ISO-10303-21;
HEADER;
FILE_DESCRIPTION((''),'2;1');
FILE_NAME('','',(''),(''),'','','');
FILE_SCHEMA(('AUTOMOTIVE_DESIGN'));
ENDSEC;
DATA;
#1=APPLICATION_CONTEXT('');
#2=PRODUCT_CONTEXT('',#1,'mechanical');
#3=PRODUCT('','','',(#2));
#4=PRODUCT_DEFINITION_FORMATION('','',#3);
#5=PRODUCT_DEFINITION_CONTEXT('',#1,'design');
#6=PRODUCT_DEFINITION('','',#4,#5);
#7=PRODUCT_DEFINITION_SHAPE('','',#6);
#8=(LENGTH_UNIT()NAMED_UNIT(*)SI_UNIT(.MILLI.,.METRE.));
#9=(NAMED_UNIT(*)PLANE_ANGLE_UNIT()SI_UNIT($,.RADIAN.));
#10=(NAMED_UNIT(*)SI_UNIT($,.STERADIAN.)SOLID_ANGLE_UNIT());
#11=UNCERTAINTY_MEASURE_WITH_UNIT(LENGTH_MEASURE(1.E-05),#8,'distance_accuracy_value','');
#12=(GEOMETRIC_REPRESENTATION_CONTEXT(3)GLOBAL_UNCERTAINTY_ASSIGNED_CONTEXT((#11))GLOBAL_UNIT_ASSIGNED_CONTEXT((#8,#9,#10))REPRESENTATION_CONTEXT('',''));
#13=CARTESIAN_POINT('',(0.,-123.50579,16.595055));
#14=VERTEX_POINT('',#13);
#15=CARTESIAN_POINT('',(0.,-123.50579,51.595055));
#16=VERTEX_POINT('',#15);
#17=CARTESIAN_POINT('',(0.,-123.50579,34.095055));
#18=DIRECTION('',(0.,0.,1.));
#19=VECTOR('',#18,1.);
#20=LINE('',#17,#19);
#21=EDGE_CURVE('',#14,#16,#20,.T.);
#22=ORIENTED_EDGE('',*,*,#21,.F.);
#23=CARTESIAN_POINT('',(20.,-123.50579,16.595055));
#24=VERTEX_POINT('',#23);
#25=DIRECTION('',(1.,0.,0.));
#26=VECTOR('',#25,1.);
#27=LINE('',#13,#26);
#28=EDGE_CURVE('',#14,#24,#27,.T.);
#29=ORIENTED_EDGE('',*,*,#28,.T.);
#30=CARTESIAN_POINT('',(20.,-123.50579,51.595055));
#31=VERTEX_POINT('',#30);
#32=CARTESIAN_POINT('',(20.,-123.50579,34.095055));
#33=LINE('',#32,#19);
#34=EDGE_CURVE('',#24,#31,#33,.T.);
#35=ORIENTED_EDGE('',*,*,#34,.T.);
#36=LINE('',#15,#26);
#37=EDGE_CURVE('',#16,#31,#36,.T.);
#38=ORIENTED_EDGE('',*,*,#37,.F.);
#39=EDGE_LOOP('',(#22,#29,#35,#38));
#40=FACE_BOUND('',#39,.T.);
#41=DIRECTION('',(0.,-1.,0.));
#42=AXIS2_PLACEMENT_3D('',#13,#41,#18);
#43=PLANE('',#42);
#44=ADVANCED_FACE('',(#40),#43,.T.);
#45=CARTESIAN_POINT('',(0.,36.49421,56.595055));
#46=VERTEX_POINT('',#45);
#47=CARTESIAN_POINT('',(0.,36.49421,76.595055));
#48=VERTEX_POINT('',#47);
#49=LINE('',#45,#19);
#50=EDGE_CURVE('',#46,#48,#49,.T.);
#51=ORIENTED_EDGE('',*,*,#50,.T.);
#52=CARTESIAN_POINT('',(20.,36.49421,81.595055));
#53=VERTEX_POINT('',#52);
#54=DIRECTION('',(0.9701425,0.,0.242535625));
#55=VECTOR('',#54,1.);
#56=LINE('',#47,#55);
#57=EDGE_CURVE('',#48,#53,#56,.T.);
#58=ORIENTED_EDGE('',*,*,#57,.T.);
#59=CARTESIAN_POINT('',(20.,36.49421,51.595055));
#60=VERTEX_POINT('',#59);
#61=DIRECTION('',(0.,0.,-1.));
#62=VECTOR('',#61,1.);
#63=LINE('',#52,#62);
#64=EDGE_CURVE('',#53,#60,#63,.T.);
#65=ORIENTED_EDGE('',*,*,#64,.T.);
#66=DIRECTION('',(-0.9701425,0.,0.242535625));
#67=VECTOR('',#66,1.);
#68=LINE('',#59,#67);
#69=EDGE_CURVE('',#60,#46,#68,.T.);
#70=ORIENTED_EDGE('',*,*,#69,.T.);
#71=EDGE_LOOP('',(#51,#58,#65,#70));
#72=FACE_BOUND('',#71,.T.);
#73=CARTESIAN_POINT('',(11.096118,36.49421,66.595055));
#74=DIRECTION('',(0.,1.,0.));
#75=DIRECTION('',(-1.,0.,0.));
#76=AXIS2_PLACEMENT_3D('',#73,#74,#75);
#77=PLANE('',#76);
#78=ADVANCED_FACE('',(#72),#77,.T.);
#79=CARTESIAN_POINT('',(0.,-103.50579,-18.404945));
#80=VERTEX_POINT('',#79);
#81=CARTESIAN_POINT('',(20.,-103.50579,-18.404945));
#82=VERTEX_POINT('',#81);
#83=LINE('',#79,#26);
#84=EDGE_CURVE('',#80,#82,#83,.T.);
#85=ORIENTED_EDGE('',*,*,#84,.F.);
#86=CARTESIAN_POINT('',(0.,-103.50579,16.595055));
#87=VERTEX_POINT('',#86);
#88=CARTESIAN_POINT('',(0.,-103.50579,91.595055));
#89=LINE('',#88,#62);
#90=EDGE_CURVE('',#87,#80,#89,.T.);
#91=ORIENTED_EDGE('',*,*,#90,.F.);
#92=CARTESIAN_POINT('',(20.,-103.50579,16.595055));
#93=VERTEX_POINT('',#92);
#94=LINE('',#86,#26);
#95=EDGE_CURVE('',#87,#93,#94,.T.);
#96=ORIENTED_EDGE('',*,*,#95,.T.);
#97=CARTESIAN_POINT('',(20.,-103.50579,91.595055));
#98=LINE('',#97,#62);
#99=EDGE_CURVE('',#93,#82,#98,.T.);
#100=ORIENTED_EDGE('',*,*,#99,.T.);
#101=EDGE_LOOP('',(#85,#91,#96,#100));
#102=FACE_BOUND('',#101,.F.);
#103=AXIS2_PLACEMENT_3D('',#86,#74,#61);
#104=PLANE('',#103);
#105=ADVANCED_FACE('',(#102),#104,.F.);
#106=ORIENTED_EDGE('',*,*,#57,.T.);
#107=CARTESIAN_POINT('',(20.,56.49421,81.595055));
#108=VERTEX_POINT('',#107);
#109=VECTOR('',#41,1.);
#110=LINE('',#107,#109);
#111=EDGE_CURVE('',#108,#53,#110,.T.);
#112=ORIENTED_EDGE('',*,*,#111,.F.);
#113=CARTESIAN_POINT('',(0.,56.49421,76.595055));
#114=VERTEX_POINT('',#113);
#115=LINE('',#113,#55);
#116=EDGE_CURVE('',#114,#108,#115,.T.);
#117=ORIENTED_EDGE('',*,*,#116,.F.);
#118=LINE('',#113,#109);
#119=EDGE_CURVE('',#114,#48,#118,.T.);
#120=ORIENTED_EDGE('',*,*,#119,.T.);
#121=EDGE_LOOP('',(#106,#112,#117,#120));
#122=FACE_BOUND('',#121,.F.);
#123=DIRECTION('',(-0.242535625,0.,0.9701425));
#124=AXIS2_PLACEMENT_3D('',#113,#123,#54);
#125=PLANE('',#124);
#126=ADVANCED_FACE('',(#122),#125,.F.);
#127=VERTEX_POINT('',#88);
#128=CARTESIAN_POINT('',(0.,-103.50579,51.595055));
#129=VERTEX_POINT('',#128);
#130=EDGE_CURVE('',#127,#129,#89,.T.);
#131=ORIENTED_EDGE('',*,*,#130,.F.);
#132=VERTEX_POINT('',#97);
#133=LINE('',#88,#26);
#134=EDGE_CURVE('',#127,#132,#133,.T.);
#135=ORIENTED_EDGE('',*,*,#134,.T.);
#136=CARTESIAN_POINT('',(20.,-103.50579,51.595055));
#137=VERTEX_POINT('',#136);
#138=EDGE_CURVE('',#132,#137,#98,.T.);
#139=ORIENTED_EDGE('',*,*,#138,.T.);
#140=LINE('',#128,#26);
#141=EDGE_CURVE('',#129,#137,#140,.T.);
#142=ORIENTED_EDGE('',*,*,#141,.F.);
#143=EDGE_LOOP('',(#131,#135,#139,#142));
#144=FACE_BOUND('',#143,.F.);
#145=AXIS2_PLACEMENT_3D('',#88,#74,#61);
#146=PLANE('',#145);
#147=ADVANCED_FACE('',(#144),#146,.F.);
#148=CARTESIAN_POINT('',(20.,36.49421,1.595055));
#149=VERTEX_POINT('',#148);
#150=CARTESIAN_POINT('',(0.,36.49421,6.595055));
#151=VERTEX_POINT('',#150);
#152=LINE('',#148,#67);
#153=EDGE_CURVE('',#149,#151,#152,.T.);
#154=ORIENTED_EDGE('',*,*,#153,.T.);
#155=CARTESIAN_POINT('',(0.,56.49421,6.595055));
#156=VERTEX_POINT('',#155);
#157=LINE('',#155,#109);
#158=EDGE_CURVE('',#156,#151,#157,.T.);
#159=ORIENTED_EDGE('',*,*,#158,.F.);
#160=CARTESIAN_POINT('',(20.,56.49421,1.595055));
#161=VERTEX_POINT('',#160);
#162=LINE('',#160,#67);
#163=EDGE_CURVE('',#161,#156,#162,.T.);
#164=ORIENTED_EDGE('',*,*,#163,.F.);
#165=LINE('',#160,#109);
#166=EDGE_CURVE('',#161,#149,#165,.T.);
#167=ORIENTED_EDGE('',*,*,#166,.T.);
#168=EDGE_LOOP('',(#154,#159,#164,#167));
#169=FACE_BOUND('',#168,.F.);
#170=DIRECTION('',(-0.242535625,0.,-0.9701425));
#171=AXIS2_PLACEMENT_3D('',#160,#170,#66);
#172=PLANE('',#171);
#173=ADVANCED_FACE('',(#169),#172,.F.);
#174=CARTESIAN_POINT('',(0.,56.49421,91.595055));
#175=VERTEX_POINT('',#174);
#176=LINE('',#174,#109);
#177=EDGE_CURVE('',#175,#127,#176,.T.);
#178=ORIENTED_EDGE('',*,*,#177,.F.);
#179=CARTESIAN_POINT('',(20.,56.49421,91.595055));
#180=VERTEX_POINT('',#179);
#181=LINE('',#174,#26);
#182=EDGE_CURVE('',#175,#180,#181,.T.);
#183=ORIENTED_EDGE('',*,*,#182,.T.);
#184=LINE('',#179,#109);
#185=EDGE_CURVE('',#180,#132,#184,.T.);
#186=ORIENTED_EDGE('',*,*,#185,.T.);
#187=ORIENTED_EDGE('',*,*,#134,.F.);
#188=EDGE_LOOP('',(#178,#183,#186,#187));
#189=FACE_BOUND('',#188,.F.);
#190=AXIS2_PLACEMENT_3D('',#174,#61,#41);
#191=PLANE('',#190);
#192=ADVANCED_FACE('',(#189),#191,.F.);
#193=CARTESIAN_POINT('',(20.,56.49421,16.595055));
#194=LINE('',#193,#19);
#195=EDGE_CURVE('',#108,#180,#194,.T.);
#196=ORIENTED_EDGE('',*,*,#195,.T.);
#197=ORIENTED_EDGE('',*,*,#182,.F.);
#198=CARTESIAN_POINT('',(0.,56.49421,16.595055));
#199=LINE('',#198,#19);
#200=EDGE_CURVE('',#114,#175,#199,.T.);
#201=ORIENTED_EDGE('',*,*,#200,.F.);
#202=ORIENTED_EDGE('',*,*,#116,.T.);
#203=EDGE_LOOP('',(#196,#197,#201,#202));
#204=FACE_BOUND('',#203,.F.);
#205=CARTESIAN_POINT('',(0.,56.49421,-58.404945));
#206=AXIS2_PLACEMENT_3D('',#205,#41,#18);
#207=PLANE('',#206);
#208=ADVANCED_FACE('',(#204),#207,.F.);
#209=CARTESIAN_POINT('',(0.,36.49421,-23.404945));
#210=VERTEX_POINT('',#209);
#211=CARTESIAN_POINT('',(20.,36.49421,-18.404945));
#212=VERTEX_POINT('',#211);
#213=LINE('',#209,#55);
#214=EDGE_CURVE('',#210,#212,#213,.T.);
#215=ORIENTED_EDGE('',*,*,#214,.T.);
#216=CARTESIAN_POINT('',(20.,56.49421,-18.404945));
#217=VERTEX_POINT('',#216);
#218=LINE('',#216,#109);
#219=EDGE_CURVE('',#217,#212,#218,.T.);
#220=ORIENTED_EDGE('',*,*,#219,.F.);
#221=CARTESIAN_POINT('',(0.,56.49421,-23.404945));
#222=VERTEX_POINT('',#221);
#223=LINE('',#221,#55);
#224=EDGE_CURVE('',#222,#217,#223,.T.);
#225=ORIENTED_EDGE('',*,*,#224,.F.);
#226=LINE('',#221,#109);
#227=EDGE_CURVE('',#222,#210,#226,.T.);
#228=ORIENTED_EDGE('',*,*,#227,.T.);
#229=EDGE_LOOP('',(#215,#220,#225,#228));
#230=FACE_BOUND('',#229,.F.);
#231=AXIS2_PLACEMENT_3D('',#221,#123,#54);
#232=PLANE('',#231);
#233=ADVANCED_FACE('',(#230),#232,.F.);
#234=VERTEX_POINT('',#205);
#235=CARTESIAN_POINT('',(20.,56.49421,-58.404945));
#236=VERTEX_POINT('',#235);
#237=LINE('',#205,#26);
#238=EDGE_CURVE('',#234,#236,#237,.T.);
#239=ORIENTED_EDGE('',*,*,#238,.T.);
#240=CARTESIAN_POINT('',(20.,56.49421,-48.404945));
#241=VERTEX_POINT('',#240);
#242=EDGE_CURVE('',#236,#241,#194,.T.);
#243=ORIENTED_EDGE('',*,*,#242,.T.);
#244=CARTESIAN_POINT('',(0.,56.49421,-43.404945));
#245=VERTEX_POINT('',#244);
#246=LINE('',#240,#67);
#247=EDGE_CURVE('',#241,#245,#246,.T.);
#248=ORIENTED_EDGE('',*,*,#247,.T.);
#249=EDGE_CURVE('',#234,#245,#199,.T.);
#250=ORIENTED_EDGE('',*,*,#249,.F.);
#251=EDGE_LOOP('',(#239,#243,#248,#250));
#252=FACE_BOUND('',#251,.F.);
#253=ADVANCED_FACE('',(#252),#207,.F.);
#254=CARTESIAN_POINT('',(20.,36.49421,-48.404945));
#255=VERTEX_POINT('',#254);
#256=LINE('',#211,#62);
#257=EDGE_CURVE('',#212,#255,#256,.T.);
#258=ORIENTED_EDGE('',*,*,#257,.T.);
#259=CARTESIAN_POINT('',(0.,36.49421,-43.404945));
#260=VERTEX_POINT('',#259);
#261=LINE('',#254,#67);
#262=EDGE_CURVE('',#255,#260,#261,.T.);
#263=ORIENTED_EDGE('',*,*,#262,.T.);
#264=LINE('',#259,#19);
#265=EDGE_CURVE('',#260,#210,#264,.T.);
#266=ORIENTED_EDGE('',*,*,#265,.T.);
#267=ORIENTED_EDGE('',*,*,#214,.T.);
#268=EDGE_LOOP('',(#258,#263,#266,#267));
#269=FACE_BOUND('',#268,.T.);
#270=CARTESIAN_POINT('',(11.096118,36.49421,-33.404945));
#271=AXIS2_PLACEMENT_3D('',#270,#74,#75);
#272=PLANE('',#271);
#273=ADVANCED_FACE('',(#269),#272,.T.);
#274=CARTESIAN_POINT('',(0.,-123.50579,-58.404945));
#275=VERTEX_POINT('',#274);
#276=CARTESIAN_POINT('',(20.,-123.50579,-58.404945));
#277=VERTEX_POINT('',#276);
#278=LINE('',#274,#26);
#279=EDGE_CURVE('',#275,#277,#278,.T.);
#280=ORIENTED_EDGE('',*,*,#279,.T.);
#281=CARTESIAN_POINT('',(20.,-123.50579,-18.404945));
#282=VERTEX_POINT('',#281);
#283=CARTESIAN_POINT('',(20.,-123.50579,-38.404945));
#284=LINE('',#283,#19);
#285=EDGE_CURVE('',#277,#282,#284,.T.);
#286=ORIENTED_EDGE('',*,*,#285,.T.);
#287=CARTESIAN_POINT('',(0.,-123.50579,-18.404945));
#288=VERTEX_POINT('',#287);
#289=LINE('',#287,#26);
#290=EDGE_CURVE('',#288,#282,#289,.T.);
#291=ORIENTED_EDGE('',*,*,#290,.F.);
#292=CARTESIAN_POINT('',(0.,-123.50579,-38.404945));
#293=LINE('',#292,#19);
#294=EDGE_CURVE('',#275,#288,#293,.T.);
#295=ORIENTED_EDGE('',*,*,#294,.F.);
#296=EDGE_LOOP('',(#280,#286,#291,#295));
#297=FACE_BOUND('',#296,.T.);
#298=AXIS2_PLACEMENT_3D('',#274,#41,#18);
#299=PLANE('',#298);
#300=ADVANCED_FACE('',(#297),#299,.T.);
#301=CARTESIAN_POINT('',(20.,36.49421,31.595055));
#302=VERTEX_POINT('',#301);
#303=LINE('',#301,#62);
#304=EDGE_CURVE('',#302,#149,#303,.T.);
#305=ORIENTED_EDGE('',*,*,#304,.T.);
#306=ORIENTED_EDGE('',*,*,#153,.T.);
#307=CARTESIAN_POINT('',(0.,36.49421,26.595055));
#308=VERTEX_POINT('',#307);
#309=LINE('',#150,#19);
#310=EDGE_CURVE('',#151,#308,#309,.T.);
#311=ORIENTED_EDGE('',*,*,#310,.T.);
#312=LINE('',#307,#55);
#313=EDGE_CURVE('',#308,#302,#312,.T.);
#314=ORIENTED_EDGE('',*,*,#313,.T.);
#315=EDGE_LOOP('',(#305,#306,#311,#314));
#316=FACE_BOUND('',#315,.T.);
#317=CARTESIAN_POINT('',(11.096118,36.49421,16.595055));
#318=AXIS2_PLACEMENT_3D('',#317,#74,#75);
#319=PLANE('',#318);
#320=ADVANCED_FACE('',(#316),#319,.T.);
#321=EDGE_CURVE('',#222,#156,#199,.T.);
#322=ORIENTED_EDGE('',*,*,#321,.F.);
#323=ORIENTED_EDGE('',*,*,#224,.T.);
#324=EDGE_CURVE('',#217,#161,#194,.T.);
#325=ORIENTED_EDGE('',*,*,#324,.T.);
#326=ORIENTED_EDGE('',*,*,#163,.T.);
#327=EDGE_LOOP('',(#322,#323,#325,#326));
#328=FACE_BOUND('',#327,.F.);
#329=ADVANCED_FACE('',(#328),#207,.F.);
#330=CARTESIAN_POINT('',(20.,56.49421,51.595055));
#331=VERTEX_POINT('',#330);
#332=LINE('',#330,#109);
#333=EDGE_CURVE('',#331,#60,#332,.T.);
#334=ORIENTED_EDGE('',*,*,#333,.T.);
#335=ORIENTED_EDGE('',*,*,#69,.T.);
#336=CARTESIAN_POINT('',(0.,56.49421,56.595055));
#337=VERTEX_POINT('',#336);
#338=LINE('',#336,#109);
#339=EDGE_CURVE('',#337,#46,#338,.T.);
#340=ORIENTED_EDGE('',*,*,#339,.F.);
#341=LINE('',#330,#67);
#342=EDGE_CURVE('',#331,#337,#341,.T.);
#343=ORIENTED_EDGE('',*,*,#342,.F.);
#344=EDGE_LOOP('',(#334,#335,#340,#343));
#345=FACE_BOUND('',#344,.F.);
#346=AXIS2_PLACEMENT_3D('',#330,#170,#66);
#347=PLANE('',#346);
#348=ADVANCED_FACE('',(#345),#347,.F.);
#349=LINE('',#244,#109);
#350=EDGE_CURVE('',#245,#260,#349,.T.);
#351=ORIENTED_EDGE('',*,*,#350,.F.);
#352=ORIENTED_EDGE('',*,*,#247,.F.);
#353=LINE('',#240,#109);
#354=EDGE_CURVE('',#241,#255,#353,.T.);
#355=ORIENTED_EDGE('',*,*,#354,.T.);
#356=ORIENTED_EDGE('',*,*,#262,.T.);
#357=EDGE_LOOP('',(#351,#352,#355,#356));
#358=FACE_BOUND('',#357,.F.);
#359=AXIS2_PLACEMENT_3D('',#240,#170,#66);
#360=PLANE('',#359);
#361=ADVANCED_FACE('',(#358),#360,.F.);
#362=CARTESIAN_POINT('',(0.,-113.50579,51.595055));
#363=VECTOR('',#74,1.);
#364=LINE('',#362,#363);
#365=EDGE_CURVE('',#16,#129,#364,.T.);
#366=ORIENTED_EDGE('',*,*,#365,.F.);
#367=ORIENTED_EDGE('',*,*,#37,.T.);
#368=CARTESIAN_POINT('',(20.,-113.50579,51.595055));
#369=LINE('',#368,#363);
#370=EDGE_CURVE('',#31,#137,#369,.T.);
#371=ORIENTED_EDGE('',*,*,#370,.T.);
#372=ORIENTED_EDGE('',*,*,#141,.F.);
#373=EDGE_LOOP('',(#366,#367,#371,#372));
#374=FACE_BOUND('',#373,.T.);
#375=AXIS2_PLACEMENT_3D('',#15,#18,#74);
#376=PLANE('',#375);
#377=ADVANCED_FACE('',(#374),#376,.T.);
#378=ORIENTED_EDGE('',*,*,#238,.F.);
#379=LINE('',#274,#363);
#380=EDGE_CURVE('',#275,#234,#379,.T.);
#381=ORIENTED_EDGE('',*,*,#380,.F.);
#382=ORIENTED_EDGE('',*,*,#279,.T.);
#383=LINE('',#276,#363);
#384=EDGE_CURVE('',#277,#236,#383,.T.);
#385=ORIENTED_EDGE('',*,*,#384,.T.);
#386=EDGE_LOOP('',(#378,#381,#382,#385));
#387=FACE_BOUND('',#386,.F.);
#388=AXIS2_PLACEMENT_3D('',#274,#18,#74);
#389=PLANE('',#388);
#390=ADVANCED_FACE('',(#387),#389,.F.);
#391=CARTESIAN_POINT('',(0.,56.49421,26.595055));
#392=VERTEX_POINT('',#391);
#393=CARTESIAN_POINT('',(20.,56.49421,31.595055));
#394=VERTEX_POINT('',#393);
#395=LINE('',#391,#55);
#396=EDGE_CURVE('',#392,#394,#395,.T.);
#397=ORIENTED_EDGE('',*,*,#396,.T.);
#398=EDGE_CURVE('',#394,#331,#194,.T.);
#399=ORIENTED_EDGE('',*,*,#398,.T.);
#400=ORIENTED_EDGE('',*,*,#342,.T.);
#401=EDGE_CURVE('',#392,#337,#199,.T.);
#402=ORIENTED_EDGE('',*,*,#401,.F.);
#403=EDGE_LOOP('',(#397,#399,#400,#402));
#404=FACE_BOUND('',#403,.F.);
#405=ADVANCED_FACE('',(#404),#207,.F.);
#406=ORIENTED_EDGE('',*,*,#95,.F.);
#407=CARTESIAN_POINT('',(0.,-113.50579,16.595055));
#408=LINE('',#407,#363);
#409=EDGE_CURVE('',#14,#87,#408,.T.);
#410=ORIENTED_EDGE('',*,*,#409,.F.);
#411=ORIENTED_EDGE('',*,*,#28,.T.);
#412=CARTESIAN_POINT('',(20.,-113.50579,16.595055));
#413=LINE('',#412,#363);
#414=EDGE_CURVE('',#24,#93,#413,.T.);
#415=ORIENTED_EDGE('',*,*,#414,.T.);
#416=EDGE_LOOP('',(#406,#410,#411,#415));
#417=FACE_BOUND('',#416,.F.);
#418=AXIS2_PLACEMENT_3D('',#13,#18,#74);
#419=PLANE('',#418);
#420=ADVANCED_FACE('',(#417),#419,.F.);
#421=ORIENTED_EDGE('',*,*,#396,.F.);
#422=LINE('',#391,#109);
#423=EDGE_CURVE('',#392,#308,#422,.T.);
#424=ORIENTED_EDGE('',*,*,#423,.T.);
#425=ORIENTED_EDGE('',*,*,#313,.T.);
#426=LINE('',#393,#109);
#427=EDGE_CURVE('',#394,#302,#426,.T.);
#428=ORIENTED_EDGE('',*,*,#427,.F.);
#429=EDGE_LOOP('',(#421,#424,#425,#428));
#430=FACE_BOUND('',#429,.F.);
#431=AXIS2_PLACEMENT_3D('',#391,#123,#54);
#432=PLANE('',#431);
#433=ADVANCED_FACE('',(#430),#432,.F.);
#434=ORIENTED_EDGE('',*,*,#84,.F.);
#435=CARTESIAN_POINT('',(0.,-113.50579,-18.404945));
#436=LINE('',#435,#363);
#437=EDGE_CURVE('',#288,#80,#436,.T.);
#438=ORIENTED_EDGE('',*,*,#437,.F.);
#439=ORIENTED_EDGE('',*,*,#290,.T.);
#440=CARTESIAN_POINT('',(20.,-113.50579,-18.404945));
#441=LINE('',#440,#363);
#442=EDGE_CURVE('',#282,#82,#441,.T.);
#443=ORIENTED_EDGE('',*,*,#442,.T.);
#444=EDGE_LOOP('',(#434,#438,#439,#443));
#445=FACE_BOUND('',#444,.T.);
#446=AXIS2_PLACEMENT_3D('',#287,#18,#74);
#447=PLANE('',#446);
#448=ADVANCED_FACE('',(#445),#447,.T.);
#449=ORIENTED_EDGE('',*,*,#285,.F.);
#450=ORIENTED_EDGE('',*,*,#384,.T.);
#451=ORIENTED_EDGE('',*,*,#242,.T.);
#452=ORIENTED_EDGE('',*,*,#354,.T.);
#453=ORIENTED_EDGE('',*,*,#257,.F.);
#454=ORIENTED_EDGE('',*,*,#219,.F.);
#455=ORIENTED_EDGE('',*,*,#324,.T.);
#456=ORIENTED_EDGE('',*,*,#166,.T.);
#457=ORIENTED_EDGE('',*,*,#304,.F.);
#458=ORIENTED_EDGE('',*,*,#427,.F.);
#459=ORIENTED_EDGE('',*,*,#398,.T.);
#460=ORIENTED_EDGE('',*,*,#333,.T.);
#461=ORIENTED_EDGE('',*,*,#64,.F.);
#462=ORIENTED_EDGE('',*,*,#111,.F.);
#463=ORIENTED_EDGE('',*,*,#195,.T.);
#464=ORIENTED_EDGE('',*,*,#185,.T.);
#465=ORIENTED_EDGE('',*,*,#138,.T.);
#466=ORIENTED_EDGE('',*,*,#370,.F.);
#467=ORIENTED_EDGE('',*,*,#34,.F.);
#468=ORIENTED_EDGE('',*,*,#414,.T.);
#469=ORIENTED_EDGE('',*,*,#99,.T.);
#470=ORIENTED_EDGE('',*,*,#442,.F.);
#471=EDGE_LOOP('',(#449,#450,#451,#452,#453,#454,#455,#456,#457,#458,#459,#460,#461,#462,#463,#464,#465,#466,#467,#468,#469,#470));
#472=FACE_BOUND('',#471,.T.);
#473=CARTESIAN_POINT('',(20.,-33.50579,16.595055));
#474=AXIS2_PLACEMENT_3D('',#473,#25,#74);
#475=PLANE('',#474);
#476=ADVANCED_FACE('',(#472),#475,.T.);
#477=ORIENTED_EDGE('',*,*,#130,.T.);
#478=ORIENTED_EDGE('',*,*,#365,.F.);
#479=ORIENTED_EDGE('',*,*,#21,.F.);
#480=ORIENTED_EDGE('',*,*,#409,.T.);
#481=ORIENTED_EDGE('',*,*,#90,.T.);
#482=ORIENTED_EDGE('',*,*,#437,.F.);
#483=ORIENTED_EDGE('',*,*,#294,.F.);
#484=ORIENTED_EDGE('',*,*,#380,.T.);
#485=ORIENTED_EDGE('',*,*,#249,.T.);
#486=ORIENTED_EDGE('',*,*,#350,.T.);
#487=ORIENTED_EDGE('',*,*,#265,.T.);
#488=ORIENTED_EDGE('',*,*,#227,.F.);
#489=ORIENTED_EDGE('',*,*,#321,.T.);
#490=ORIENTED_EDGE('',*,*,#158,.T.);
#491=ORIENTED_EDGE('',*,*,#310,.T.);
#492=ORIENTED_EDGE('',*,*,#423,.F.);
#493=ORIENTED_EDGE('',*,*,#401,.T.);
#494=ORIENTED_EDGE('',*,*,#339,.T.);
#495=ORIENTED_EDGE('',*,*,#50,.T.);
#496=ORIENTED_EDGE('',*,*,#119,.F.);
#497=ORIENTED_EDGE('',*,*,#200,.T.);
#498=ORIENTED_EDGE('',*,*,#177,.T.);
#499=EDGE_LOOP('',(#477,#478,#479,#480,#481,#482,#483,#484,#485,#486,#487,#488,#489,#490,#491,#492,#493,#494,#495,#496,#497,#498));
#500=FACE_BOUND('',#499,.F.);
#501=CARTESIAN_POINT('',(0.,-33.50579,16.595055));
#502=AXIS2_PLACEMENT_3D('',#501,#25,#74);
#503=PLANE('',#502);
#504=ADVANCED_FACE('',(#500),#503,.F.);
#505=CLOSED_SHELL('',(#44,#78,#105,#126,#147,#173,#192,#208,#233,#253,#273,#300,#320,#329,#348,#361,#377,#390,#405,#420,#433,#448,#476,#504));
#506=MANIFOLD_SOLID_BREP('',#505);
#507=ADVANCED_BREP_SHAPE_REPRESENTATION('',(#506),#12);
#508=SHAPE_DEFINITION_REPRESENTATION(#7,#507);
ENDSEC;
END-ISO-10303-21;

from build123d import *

# Parameters (mm, degrees)
F0_W     = 20
F0_H     = 150
F0_H_2   = 35
F0_H_3   = 40
F1_DEPTH = 20
F3_DEPTH = 20


with BuildPart() as f1:
    # F0 (on Right) → F1 (new body)
    with BuildSketch(Plane.YZ):
        Polygon((36.49421, 91.595055), (-103.50579, 91.595055), (-103.50579, 51.595055), (-103.50579, 16.595055), (-103.50579, -18.404945), (-103.50579, -58.404945), (36.49421, -58.404945), align=None)
        with Locations((46.49421, 16.595055)):
            Rectangle(F0_W, F0_H)
        with Locations((-113.50579, 34.095055)):
            Rectangle(F0_W, F0_H_2)
        with Locations((-113.50579, -38.404945)):
            Rectangle(F0_W, F0_H_3)
    extrude(amount=F1_DEPTH)

    # F2 (on face) → F3 (cut)
    with BuildSketch(Plane(origin=(0, 56.49421, 0), x_dir=(-1, 0, 0), z_dir=(0, 1, 0))):
        Polygon((-20, 51.595055), (0, 56.595055), (0, 76.595055), (-20, 81.595055), align=None)
        Polygon((0, 6.595055), (0, 26.595055), (-20, 31.595055), (-20, 1.595055), align=None)
        Polygon((0, -43.404945), (0, -23.404945), (-20, -18.404945), (-20, -48.404945), align=None)
    extrude(amount=-F3_DEPTH, mode=Mode.SUBTRACT)


solid = f1.part
